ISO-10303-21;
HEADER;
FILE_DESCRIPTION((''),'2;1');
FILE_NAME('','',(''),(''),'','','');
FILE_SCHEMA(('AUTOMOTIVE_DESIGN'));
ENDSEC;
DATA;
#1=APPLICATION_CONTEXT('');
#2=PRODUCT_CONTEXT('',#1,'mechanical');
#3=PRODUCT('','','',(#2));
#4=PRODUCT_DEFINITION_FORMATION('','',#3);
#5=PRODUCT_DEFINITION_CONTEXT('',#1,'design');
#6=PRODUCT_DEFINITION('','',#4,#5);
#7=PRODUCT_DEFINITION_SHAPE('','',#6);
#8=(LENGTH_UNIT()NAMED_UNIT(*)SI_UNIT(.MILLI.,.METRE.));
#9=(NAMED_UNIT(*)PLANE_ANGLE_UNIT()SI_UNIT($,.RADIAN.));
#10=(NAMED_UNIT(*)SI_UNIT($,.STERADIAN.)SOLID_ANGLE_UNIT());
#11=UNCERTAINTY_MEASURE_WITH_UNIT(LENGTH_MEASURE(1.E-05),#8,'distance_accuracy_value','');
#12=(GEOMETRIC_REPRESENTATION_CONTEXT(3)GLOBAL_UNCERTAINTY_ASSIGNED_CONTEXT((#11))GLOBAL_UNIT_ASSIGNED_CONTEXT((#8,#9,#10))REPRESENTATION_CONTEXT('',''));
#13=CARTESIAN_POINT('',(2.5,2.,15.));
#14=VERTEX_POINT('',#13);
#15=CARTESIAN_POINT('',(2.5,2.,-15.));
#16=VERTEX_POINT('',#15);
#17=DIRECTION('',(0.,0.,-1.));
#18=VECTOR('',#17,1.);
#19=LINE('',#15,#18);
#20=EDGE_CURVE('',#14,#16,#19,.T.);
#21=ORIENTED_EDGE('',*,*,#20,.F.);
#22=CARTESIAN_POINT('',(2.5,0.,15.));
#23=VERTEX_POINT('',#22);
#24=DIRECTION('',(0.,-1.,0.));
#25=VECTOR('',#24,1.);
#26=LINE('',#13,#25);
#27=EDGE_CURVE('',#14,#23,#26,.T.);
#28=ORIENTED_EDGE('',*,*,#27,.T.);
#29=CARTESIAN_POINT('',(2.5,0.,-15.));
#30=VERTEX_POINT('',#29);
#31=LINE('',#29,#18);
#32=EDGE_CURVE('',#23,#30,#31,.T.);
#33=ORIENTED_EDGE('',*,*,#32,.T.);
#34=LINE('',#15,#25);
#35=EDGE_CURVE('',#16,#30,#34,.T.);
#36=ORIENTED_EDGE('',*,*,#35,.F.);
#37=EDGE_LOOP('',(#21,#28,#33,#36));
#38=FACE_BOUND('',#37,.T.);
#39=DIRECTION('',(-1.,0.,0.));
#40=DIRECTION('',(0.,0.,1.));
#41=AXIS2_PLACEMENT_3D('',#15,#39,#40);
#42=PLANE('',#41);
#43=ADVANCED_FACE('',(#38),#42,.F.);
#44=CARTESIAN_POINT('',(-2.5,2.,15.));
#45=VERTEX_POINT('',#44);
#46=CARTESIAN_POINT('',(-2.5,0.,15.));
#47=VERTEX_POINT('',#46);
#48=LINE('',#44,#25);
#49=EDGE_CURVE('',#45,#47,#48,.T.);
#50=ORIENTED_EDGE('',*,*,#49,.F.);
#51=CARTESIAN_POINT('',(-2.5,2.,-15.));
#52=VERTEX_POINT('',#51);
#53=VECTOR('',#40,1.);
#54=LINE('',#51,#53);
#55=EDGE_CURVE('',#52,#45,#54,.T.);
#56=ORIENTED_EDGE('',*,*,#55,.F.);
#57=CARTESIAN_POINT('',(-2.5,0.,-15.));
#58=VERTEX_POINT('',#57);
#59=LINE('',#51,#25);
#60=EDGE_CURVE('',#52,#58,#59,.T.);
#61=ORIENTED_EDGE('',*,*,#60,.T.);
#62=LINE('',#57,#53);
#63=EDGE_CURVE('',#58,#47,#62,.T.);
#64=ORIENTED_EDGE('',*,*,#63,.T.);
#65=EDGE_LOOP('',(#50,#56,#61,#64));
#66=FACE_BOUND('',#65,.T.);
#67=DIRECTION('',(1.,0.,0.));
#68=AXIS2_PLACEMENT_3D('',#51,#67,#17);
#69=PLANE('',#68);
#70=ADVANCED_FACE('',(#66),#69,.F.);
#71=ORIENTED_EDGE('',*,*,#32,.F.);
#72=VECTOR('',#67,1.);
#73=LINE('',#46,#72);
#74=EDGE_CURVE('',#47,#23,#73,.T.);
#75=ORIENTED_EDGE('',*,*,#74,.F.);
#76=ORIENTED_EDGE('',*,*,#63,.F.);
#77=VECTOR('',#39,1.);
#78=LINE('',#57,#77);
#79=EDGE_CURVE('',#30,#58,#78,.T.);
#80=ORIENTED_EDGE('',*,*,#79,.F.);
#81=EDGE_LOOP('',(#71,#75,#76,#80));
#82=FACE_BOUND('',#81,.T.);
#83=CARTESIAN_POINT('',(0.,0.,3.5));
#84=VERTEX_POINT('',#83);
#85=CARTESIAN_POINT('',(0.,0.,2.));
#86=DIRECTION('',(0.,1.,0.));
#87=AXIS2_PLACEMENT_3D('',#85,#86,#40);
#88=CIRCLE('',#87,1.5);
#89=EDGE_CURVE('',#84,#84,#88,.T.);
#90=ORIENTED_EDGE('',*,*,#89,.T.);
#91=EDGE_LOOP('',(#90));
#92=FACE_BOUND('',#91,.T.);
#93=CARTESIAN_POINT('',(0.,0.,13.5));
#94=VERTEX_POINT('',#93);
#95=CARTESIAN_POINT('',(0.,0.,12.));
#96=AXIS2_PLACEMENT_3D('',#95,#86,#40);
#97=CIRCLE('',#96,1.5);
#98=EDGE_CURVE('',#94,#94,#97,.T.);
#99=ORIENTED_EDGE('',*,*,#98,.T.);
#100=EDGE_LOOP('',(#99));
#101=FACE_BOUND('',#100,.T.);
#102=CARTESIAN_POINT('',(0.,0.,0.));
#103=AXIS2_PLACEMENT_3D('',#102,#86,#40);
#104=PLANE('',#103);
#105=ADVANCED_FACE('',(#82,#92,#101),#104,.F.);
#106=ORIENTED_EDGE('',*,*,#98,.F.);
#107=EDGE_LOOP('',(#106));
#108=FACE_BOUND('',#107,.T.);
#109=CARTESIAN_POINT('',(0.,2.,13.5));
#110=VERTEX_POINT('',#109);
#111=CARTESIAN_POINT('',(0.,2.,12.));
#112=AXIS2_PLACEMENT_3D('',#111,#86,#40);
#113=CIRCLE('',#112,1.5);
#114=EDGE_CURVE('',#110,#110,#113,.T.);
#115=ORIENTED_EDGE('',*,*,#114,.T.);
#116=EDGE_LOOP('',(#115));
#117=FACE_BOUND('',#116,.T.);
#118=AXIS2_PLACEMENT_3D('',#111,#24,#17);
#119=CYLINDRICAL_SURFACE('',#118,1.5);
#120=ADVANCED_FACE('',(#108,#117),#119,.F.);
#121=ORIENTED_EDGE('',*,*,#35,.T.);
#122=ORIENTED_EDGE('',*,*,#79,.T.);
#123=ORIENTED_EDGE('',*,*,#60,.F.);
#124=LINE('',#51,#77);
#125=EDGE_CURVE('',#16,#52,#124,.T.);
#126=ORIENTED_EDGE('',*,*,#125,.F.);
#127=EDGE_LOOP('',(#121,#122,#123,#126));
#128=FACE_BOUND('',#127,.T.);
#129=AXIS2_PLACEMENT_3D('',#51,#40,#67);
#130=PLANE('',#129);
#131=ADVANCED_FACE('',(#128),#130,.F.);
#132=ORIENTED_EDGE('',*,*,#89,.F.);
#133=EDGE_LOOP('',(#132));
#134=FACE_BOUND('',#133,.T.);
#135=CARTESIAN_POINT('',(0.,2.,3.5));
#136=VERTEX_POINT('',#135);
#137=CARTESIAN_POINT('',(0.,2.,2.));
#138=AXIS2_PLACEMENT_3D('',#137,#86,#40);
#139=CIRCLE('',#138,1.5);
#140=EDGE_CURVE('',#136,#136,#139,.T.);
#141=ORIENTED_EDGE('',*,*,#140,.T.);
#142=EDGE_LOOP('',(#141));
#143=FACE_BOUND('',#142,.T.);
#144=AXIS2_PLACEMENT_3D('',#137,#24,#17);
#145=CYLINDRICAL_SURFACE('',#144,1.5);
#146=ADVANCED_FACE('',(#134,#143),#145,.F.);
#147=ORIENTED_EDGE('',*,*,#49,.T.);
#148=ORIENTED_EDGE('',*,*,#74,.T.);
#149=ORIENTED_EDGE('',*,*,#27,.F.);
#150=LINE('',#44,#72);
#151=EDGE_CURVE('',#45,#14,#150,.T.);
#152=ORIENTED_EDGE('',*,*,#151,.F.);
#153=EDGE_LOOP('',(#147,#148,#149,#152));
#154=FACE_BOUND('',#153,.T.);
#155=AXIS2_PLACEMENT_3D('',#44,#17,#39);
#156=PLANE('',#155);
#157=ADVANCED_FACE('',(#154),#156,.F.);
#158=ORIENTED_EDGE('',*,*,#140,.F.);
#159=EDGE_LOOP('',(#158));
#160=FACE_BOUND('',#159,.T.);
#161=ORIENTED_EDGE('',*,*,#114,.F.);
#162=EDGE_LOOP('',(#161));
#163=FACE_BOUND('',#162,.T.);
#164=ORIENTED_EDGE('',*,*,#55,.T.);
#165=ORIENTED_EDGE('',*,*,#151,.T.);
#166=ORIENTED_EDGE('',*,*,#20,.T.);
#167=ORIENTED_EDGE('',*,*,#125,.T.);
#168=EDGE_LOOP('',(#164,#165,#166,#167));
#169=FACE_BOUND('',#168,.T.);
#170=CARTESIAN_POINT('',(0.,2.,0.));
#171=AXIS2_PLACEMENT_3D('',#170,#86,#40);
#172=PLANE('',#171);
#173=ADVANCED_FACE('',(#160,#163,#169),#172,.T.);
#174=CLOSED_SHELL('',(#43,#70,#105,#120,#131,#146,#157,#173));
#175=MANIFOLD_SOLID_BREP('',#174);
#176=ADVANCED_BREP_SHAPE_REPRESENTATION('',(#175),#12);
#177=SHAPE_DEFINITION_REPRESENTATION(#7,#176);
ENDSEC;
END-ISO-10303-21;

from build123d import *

# Parameters (mm, degrees)
SKETCH1_W           = 5
SKETCH1_H           = 30
SKETCH1_R           = 1.5
BOSS_EXTRUDE1_DEPTH = 2


with BuildPart() as part:
    # Sketch1 → Boss-Extrude1 (new body)
    with BuildSketch(Plane(origin=(0, 0, 0), x_dir=(1, 0, 0), z_dir=(0, 1, 0))):
        Rectangle(SKETCH1_W, SKETCH1_H)
        with Locations(Location((0, -12, 0), (0, 0, 270))):
            Circle(SKETCH1_R, mode=Mode.SUBTRACT)
        with Locations(Location((0, -2, 0), (0, 0, 270))):
            Circle(SKETCH1_R, mode=Mode.SUBTRACT)
    extrude(amount=BOSS_EXTRUDE1_DEPTH)


solid = part.part
